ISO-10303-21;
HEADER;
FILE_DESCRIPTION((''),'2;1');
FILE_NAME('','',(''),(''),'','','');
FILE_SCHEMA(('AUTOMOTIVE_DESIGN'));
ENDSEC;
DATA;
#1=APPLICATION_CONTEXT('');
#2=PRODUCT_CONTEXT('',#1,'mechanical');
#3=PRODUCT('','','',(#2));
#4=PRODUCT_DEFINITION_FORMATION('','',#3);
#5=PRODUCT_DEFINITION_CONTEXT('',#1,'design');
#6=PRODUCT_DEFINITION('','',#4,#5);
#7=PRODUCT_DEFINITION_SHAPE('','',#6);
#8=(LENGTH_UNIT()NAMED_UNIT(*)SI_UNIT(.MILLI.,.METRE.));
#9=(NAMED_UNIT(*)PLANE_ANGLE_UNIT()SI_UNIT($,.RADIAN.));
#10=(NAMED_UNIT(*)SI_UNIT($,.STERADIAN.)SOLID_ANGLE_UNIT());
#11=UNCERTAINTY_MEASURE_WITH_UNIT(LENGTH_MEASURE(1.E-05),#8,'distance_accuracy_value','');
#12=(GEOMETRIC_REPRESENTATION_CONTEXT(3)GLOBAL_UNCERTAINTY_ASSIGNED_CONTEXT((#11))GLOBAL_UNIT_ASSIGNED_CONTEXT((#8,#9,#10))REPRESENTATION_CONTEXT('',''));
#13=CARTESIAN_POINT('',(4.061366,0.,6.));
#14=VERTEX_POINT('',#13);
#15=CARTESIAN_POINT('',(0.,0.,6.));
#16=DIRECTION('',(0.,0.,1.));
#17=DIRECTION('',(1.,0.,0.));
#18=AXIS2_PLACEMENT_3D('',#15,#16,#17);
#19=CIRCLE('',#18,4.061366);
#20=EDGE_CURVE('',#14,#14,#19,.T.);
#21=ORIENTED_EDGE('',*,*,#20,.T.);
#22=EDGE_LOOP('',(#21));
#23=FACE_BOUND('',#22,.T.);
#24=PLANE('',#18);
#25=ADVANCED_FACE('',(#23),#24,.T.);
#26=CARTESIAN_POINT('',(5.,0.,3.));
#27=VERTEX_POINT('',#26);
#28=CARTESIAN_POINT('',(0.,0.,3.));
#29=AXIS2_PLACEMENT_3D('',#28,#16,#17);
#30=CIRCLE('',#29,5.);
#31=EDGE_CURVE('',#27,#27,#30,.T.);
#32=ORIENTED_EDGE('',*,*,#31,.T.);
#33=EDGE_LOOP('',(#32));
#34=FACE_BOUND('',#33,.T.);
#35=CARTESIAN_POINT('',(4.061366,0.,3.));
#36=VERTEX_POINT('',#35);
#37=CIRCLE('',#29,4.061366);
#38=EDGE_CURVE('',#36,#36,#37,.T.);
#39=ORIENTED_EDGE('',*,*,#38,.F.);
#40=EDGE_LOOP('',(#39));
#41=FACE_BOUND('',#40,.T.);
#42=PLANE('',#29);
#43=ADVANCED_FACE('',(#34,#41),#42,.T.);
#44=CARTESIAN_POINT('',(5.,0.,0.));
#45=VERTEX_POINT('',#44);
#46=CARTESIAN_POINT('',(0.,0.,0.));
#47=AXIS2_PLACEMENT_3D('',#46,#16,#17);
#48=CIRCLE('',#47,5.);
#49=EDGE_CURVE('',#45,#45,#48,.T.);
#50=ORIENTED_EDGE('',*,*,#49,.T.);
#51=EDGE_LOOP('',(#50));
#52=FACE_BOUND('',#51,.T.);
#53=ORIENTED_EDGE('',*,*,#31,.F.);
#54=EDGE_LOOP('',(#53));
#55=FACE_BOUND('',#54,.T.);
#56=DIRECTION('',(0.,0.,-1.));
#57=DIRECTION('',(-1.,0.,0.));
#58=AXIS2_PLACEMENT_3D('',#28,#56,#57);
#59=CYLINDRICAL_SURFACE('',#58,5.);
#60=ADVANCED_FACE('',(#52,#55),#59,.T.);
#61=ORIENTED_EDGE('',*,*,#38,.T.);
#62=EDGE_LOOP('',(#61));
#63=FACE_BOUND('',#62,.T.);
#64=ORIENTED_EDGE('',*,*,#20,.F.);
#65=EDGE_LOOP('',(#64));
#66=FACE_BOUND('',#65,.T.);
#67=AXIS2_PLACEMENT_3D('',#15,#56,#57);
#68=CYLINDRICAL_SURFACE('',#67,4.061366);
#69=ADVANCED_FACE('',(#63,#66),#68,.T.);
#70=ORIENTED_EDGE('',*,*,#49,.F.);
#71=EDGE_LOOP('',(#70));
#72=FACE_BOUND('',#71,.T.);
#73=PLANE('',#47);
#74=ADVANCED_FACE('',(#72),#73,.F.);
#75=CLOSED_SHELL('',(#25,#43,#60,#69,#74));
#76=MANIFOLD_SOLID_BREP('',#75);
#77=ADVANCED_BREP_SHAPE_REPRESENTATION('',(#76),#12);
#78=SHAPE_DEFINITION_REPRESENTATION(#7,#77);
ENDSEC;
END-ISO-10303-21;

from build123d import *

# Parameters (mm, degrees)
SKETCH1_R           = 5
BOSS_EXTRUDE1_DEPTH = 3
SKETCH2_R           = 4.061365787
BOSS_EXTRUDE2_DEPTH = 3


with BuildPart() as part:
    # Sketch1 → Boss-Extrude1 (new body)
    with BuildSketch(Plane.XY):
        Circle(SKETCH1_R)
    extrude(amount=BOSS_EXTRUDE1_DEPTH)

    # Sketch2 → Boss-Extrude2 (add)
    with BuildSketch(Plane.XY.offset(3)):
        Circle(SKETCH2_R)
    extrude(amount=BOSS_EXTRUDE2_DEPTH)


solid = part.part
